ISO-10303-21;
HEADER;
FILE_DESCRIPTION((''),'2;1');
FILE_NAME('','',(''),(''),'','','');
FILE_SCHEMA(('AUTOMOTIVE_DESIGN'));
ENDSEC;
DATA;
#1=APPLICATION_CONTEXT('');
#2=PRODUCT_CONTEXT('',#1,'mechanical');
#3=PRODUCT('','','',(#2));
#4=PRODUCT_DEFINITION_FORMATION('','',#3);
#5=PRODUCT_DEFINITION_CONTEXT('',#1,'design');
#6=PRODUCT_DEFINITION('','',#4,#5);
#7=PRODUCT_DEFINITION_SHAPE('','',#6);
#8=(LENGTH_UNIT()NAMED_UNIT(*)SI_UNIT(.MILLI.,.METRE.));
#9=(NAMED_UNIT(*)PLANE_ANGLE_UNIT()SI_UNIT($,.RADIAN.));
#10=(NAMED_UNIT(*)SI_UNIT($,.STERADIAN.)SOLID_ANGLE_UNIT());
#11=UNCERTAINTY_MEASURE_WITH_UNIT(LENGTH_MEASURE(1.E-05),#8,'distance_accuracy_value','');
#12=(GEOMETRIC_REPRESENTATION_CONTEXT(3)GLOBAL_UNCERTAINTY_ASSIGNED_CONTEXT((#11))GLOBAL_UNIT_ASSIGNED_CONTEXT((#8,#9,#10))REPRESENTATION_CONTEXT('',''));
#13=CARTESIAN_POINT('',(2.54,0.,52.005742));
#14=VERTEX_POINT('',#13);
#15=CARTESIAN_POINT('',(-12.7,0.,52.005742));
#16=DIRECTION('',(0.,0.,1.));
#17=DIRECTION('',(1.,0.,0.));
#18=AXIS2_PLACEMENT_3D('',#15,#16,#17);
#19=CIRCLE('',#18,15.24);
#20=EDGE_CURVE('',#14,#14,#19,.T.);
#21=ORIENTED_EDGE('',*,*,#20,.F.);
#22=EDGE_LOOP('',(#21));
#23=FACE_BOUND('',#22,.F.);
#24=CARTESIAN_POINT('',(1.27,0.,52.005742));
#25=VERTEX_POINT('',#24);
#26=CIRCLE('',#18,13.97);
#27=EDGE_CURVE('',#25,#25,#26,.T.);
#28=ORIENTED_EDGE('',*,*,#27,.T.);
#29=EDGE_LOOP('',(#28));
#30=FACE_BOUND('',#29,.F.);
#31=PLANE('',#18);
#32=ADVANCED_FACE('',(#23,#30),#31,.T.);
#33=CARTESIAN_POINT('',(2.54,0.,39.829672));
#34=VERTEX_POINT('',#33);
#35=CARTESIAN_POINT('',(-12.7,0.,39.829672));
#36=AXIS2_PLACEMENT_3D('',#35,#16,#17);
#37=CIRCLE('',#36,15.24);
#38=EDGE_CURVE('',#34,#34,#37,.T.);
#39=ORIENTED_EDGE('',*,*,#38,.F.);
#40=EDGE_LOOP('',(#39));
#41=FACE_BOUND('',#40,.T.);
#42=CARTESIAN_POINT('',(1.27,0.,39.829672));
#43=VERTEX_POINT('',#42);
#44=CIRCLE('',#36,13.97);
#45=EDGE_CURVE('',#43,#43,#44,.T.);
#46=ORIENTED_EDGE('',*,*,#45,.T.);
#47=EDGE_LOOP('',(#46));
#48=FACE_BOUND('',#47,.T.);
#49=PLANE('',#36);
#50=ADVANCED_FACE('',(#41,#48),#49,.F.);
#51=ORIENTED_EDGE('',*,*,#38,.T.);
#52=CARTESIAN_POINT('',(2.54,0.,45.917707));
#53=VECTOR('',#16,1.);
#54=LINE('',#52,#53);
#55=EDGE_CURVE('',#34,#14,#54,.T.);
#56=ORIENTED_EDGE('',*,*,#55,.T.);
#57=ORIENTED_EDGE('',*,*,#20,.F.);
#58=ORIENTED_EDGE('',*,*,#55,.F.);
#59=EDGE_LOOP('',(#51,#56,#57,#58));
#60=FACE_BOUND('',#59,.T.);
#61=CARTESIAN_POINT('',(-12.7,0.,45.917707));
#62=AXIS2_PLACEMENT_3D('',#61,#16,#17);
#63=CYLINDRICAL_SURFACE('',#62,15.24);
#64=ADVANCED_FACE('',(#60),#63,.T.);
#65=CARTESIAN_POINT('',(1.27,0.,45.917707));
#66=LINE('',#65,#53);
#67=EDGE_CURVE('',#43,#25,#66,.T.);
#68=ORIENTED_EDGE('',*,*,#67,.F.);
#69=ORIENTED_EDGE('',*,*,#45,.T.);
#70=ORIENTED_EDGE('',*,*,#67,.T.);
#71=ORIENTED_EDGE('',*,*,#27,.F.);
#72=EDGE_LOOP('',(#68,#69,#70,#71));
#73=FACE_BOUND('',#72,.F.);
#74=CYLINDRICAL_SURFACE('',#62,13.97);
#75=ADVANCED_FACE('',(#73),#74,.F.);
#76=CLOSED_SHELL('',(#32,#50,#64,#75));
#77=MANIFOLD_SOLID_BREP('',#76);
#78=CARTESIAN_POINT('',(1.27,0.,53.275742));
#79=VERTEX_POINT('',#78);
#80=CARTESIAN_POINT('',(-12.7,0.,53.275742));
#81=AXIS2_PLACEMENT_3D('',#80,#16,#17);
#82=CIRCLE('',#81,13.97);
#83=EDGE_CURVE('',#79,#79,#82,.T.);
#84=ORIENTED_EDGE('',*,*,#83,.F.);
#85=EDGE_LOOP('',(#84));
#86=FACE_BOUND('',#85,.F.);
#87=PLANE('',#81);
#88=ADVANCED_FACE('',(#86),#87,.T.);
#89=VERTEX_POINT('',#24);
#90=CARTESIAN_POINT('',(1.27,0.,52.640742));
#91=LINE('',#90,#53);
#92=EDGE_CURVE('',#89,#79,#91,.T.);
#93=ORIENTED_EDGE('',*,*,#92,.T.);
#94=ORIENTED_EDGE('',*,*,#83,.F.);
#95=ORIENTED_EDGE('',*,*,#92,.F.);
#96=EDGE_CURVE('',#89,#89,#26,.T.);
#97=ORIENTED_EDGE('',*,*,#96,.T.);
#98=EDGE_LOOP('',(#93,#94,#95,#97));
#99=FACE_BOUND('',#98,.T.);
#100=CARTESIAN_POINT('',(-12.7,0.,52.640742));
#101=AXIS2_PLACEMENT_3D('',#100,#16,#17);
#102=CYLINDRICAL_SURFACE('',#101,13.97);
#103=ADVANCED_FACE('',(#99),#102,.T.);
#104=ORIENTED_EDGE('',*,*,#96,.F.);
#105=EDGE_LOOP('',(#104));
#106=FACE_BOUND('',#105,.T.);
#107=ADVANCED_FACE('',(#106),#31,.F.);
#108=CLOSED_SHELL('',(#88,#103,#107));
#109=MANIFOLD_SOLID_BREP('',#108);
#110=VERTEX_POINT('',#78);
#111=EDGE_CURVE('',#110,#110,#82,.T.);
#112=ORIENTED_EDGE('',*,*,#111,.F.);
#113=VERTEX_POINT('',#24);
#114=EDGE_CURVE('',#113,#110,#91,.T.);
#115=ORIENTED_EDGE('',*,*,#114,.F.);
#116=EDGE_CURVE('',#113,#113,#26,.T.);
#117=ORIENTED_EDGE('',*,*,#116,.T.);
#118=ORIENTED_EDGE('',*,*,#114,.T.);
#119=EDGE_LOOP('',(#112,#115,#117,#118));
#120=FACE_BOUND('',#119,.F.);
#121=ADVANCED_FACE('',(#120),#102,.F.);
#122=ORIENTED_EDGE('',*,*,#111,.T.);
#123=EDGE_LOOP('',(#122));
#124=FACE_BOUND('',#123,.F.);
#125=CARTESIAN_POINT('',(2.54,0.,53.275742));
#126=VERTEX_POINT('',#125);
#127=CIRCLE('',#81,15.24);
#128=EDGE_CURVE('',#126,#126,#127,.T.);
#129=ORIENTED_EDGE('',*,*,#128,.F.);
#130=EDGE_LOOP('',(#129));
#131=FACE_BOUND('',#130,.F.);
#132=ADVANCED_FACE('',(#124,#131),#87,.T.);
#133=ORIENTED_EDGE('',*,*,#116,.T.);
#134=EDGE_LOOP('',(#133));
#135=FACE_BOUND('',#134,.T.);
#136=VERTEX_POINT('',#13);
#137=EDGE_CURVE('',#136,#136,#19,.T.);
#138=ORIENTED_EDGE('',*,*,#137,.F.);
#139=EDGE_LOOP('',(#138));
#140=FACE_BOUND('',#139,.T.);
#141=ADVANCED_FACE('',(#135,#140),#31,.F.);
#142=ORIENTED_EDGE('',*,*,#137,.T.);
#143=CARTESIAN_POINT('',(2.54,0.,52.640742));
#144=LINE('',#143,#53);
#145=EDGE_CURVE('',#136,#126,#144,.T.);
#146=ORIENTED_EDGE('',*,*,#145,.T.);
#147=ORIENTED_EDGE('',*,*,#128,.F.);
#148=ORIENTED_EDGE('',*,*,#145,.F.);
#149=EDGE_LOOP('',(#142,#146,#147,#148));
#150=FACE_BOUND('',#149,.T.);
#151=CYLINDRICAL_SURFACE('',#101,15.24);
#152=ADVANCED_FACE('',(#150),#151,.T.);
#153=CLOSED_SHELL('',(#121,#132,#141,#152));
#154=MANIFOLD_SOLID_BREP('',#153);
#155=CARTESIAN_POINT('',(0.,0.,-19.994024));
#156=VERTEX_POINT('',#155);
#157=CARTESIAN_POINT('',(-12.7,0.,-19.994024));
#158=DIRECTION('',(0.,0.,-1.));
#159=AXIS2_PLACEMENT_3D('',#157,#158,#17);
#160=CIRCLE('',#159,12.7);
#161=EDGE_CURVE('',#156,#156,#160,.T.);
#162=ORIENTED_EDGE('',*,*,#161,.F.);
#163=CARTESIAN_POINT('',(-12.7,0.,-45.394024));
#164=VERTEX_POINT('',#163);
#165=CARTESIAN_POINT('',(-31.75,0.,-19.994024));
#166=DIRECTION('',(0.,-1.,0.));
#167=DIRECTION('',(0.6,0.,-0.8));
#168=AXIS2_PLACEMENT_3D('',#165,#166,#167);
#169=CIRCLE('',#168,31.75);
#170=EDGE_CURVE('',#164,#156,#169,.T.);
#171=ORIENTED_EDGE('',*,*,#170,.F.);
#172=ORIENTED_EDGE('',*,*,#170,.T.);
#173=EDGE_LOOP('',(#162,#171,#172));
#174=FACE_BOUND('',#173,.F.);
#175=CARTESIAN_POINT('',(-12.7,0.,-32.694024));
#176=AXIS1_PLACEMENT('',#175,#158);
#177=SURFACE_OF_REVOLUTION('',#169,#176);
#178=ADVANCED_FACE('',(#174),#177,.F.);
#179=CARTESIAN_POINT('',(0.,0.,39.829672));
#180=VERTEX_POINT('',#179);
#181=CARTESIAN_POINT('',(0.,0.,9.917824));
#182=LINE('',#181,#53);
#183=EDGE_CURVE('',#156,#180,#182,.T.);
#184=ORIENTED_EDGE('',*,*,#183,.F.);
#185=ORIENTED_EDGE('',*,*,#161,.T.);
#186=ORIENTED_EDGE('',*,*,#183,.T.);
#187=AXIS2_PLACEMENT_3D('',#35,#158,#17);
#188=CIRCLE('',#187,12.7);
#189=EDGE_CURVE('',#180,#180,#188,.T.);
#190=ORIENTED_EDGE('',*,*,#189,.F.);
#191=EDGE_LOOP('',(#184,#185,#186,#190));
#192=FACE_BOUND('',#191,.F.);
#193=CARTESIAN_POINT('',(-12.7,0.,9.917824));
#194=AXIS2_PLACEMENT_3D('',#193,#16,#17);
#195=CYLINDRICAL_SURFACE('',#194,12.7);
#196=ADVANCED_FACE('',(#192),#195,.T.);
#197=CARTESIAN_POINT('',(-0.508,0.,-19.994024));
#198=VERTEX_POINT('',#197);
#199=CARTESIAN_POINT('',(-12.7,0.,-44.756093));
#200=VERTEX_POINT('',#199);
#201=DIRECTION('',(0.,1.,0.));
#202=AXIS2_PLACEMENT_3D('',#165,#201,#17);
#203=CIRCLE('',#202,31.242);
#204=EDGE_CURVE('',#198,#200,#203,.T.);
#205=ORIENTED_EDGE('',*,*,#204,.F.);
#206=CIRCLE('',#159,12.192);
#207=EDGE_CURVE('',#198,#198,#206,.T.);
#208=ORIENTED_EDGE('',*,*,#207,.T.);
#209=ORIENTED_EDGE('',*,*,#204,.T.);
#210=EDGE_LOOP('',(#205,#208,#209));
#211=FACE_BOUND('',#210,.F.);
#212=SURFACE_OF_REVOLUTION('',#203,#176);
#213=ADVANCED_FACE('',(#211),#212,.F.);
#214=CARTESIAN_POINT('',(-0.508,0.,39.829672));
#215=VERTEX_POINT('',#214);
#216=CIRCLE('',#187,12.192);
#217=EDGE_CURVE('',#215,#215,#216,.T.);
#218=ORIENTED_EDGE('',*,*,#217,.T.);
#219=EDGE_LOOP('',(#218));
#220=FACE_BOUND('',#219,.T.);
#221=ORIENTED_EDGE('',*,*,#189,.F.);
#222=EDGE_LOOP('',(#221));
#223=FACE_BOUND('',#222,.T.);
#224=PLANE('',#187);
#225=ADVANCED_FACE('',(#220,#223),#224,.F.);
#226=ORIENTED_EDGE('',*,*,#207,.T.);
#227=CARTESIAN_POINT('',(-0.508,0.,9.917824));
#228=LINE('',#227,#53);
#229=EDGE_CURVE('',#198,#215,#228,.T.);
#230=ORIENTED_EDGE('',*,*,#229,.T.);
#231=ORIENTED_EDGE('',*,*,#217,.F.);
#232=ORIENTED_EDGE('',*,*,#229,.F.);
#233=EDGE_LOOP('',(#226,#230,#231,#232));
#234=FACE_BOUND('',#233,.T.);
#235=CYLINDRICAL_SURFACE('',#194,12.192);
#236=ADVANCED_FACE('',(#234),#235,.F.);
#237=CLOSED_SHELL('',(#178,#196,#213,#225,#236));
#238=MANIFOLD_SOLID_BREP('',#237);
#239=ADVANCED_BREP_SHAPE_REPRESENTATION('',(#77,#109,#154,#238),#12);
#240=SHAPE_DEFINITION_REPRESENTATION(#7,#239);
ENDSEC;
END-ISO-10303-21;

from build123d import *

# Parameters (mm, degrees)
F0_W   = 1.27
F0_H   = 12.1760693179
F0_W_2 = 0.508
F0_H_2 = 59.8236961528
F0_W_3 = 13.97
F0_H_3 = 1.27


with BuildPart() as f1:
    # F0 (on Front) → F1 (revolve)
    with BuildSketch(Plane.XZ):
        with Locations((1.905, 45.9177069778)):
            Rectangle(F0_W, F0_H)
    revolve(axis=Axis((-12.7, 0, 46.5527069778), (0, 0, 1)))


with BuildPart() as f2:
    # F0 (on Front) → F2 (revolve)
    with BuildSketch(Plane.XZ):
        with Locations((-0.254, 9.9178242424)):
            Rectangle(F0_W_2, F0_H_2)
    revolve(axis=Axis((-12.7, 0, 9.9178242424), (0, 0, -1)))

    # F0 (on Front) → F5 (revolve)
    with BuildSketch(Plane.XZ):
        with BuildLine():
            ThreePointArc((-12.7, -45.394023834), (-3.3519366858, -34.1930554912), (0, -19.994023834))
            Line((0, -19.994023834), (-0.508, -19.994023834))
            ThreePointArc((-0.508, -19.994023834), (-3.7212409836, -33.7944307846), (-12.7, -44.7560928914))
            Line((-12.7, -44.7560928914), (-12.7, -45.394023834))
        make_face()
    revolve(axis=Axis((-12.7, 0, -32.694023834), (0, 0, -1)))


with BuildPart() as f3:
    # F0 (on Front) → F3 (revolve)
    with BuildSketch(Plane.XZ):
        with Locations((-5.715, 52.6407416368)):
            Rectangle(F0_W_3, F0_H_3)
    revolve(axis=Axis((-12.7, 0, 46.5527069778), (0, 0, 1)))


with BuildPart() as f4:
    # F0 (on Front) → F4 (revolve)
    with BuildSketch(Plane.XZ):
        with Locations((1.905, 52.6407416368)):
            Rectangle(F0_W, F0_H_3)
    revolve(axis=Axis((-12.7, 0, 46.5527069778), (0, 0, 1)))


solid = Compound([f1.part, f2.part, f3.part, f4.part])
